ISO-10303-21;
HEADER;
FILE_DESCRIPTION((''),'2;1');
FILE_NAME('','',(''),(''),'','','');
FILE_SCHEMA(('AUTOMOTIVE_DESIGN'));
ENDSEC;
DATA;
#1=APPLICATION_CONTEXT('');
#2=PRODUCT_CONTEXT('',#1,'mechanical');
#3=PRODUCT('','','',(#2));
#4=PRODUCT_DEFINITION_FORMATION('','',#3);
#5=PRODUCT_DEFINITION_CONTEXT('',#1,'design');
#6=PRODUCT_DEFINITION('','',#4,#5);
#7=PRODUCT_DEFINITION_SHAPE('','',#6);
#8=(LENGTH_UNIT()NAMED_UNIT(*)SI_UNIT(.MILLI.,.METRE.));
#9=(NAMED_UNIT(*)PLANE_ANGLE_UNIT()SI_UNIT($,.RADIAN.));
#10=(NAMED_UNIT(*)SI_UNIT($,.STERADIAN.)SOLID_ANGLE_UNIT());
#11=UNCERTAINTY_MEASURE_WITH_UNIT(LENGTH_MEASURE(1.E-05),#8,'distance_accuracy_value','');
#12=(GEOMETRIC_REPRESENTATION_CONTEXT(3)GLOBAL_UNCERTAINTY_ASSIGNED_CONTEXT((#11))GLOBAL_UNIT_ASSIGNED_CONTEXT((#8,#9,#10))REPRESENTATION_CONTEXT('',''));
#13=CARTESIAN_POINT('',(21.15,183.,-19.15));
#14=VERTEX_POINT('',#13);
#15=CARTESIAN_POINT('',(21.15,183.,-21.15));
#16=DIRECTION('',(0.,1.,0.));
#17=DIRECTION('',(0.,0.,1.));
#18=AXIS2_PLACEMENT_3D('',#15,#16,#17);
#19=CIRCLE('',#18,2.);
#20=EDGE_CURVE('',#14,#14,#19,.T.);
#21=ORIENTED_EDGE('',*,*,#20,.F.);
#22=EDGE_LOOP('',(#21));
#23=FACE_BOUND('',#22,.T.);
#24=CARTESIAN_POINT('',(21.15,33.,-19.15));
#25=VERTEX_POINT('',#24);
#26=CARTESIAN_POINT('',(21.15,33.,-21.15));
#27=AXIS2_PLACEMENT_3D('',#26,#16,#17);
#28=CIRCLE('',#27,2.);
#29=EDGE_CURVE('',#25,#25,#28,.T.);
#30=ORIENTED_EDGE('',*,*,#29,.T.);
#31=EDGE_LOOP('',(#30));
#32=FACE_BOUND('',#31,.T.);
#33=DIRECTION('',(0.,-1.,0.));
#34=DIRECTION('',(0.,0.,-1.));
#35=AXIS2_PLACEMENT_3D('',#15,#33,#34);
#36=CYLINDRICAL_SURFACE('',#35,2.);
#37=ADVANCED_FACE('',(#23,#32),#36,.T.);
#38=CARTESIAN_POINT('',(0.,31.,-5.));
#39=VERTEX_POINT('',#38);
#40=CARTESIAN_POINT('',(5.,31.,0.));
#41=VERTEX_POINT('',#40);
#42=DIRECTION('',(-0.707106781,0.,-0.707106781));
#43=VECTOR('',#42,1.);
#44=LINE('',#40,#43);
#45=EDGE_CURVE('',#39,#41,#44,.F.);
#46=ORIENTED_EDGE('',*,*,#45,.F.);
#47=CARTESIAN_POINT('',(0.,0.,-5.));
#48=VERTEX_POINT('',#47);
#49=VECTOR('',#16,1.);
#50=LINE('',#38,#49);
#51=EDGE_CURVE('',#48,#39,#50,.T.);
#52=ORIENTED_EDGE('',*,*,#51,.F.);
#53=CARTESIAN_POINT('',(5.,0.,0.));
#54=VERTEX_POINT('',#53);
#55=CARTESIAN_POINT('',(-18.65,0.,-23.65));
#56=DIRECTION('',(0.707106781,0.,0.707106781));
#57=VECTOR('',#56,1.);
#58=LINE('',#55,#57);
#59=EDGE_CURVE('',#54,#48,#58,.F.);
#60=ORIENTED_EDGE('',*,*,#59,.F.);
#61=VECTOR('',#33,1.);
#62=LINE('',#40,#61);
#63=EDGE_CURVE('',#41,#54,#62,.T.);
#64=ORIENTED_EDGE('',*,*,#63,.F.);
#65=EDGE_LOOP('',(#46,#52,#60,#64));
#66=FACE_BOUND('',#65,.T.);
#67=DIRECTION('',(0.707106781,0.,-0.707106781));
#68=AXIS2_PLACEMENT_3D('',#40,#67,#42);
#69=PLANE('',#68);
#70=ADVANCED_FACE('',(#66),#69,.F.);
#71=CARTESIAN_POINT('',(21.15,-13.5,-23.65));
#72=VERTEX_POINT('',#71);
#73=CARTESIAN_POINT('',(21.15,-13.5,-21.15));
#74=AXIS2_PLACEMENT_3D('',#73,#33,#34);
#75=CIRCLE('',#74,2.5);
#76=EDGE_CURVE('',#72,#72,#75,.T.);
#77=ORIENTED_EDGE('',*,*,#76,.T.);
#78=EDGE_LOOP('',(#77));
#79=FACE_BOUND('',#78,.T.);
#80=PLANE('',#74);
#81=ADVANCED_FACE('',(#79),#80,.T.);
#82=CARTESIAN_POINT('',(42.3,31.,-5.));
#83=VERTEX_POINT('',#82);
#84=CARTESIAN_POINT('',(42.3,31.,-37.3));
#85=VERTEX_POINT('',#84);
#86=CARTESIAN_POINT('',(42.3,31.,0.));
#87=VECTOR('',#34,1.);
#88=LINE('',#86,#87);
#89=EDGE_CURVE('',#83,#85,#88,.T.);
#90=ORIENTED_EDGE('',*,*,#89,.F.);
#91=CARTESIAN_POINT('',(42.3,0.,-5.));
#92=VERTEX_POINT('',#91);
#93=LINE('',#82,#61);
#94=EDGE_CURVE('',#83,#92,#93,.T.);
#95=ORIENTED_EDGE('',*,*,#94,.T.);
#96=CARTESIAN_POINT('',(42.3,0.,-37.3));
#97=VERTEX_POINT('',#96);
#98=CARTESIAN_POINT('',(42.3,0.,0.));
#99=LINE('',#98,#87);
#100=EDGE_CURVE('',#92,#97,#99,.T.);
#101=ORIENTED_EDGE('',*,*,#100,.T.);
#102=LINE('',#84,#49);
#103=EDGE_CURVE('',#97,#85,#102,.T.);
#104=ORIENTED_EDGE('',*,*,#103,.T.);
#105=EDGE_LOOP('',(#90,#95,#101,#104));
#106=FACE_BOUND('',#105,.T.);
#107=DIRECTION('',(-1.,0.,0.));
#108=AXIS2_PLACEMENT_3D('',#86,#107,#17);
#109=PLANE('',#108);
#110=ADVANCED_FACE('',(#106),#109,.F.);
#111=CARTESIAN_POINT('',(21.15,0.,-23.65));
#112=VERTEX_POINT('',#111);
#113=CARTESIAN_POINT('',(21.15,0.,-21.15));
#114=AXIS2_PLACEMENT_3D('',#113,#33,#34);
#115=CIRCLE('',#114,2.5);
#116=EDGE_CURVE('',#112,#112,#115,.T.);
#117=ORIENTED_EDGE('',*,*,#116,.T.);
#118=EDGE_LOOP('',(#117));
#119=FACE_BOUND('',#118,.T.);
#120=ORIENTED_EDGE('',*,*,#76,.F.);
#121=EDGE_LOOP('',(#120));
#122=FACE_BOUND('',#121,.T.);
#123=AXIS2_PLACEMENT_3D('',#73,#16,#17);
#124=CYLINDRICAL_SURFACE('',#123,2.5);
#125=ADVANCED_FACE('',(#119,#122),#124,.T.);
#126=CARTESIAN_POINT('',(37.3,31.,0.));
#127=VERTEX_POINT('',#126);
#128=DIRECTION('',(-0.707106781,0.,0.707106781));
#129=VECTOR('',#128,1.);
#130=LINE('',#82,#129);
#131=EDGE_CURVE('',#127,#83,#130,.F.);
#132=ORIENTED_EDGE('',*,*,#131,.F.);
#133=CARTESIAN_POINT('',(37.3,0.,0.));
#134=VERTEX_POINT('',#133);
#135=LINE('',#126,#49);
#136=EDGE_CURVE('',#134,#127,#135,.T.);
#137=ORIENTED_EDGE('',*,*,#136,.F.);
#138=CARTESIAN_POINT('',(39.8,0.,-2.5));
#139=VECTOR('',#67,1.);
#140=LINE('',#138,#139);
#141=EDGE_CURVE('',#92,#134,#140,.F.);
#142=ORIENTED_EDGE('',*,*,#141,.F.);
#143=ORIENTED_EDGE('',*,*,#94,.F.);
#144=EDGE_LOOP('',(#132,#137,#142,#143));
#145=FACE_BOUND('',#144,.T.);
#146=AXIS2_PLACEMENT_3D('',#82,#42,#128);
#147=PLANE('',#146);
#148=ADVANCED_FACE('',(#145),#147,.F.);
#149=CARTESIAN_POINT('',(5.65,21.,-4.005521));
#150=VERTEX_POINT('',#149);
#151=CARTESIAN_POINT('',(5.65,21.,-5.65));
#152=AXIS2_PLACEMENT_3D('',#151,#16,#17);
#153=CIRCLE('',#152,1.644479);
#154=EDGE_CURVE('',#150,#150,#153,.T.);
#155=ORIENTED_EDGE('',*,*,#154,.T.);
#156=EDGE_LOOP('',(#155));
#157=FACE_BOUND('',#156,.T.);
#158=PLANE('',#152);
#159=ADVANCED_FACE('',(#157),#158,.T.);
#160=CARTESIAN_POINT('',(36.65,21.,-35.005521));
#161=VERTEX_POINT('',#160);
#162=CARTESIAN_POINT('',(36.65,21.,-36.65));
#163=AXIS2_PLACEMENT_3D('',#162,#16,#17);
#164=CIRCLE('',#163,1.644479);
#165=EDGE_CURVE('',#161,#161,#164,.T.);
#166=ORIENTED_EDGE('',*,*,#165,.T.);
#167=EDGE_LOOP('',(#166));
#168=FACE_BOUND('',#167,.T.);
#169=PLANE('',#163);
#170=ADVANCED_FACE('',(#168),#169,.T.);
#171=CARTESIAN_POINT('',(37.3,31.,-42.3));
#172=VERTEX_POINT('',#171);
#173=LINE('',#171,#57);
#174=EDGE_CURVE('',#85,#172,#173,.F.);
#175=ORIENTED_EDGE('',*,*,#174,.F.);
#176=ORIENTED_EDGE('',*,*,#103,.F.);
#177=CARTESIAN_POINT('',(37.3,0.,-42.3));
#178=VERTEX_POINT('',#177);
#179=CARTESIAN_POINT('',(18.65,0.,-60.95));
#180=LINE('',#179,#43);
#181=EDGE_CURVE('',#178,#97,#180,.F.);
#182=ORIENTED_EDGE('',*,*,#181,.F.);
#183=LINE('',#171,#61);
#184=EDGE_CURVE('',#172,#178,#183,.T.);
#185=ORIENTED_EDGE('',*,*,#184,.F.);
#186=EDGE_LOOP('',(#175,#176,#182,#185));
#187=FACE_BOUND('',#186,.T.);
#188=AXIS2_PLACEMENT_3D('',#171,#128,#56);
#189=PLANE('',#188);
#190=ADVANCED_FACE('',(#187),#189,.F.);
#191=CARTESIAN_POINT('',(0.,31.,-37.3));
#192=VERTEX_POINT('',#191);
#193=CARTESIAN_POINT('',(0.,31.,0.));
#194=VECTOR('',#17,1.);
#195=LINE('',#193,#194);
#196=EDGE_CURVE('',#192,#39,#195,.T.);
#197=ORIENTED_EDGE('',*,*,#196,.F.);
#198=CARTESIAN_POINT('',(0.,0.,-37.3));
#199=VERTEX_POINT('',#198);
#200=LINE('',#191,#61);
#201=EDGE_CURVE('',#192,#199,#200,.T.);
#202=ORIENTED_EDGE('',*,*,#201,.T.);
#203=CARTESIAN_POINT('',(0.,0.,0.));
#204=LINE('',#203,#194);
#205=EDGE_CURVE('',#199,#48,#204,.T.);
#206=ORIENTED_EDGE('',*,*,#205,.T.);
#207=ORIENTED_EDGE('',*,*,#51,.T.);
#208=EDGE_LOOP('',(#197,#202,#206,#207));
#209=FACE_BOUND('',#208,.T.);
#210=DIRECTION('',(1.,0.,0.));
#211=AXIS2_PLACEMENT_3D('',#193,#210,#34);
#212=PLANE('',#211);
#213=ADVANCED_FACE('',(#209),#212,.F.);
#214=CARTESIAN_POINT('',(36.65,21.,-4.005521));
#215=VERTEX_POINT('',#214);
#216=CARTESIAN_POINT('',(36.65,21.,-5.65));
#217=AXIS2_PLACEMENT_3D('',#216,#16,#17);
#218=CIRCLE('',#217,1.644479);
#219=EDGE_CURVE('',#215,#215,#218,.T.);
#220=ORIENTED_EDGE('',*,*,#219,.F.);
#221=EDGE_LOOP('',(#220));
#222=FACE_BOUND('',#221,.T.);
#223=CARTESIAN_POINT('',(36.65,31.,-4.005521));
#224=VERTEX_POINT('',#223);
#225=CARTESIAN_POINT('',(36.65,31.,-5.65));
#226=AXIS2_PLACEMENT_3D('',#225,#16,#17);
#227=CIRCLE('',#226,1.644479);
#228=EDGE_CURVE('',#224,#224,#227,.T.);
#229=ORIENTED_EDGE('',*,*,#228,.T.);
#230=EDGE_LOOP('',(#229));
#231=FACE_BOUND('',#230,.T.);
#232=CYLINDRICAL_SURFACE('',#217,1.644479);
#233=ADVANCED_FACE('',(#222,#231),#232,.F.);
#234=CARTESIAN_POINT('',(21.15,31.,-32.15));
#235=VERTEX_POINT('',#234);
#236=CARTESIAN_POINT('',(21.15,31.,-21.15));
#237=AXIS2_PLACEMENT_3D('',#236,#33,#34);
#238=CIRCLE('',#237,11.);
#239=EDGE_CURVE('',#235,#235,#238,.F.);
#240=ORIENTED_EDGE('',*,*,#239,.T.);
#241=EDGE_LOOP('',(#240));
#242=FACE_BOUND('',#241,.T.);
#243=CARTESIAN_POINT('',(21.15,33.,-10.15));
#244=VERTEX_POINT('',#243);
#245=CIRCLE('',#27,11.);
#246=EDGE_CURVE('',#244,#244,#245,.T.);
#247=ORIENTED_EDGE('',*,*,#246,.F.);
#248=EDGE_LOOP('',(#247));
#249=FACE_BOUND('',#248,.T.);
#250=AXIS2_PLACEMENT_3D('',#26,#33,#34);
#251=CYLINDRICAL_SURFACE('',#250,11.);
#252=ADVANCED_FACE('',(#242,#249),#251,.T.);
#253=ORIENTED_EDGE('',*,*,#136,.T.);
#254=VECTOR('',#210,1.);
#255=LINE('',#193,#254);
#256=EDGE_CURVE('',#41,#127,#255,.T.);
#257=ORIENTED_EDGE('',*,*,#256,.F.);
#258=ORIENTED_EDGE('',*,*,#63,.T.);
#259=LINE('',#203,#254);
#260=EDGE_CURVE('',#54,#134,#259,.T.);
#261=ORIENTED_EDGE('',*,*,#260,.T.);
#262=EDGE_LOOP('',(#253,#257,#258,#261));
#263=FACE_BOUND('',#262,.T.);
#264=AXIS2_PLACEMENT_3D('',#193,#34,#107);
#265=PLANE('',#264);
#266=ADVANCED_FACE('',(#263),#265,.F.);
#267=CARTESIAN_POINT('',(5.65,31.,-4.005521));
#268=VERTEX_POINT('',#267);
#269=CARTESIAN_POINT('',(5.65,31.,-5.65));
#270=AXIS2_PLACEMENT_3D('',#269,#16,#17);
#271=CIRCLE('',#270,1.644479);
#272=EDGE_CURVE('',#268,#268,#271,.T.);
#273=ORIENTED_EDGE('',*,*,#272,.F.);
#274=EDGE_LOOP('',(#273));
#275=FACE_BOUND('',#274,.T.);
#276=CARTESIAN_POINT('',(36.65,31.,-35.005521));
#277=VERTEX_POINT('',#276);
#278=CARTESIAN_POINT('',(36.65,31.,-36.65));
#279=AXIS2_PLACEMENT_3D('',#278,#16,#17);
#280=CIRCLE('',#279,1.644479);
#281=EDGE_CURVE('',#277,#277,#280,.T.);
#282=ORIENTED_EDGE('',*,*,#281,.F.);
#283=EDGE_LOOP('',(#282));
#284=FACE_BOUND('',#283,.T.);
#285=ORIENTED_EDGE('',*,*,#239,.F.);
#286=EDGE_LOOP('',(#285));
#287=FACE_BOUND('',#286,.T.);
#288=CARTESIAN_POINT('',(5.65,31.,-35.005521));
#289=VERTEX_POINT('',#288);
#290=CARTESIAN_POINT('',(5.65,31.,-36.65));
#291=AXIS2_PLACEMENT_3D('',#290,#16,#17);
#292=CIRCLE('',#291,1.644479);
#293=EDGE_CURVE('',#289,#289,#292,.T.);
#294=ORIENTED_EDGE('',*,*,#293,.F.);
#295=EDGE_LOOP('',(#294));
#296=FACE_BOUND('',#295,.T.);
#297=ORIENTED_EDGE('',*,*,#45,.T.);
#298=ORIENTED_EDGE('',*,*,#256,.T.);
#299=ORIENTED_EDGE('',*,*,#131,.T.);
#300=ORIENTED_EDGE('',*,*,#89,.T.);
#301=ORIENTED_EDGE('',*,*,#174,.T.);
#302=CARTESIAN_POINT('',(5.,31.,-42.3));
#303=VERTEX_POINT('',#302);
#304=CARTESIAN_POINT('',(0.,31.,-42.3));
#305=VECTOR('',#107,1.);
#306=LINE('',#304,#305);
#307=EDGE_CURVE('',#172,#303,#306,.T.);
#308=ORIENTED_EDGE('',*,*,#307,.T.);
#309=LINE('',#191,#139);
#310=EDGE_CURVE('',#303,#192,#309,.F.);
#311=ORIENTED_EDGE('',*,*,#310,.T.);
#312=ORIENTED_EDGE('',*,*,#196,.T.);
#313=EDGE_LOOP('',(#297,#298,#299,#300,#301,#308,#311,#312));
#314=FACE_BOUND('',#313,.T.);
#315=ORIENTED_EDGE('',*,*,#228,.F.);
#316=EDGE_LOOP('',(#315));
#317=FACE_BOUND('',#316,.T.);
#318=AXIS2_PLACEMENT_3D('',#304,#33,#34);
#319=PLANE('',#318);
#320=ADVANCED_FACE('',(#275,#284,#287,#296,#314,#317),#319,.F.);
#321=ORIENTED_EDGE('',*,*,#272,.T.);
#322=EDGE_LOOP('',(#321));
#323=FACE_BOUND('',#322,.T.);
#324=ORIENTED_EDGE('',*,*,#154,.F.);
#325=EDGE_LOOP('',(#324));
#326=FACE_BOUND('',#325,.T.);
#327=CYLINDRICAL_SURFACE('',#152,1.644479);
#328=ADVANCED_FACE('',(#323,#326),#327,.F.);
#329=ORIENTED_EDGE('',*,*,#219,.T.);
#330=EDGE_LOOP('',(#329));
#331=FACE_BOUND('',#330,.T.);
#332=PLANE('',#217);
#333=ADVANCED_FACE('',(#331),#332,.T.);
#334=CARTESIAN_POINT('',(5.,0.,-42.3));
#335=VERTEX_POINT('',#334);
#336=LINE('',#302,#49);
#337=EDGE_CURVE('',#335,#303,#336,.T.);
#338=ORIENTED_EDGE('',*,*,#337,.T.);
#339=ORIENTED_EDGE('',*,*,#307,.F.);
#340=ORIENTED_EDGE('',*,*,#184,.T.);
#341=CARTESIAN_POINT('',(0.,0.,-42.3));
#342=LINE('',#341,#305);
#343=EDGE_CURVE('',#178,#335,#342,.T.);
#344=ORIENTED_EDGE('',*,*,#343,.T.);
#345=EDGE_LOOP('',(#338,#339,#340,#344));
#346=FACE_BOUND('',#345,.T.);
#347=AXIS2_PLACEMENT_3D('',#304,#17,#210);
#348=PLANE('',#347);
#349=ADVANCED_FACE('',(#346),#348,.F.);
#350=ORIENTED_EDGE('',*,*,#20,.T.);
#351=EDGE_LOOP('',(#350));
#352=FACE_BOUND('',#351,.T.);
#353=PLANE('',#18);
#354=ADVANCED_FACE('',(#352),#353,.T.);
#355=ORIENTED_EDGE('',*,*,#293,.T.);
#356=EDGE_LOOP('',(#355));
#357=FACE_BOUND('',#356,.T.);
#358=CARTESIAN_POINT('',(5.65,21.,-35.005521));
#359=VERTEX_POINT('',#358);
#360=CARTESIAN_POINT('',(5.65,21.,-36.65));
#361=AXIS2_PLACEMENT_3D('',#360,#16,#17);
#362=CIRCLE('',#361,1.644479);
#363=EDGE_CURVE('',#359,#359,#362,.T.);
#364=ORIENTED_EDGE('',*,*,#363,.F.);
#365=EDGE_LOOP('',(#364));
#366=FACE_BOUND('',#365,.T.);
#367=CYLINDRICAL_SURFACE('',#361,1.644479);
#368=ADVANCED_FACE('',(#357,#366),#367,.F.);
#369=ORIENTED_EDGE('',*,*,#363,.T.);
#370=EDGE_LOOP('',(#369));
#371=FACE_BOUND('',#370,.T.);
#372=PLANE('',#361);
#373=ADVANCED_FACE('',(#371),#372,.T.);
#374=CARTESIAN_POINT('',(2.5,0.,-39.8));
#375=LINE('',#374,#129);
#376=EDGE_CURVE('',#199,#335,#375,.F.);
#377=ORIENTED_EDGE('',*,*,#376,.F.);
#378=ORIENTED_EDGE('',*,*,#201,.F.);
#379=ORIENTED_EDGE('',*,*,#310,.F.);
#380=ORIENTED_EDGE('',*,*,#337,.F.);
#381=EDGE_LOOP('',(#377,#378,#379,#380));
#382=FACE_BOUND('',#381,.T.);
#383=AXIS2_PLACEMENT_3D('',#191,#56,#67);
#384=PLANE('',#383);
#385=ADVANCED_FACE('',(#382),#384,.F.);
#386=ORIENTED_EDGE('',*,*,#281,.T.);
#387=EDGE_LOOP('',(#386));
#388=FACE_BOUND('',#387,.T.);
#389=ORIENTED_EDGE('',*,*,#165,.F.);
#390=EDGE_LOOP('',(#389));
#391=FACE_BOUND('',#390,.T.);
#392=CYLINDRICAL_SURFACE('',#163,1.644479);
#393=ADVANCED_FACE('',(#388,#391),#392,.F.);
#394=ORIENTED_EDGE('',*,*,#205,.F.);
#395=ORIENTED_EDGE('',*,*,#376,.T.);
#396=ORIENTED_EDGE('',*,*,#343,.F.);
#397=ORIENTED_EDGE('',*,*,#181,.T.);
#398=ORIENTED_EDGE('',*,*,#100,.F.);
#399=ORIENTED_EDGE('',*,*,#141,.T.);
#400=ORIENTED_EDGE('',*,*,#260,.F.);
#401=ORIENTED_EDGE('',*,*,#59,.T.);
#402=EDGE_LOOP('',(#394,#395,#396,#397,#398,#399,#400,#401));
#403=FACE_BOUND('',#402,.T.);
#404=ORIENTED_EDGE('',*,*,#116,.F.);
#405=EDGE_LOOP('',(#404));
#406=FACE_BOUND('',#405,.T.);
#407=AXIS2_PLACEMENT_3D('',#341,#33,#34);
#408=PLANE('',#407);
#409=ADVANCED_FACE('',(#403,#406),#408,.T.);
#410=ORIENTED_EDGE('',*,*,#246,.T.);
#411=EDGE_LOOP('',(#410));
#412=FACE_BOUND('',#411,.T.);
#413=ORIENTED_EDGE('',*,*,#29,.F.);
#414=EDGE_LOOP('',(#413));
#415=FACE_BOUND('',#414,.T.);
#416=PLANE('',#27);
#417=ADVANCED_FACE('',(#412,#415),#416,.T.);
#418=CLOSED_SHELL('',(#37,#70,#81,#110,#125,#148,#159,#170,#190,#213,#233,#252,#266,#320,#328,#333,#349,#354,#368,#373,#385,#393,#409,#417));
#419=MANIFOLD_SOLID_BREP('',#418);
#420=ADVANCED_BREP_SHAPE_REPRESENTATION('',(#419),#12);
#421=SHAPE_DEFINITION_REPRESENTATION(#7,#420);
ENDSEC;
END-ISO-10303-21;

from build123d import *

# Parameters (mm, degrees)
SKETCH1_W           = 42.3
SKETCH1_H           = 42.3
BOSS_EXTRUDE1_DEPTH = 31
SKETCH2_R           = 1.644479294
CUT_EXTRUDE1_DEPTH  = 10
SKETCH3_R           = 11
BOSS_EXTRUDE2_DEPTH = 2
CHAMFER2_SIZE       = 5
SKETCH4_R           = 2
BOSS_EXTRUDE3_DEPTH = 150
SKETCH5_R           = 2.5
BOSS_EXTRUDE4_DEPTH = 13.5


with BuildPart() as part:
    # Sketch1 → Boss-Extrude1 (new body)
    with BuildSketch(Plane(origin=(0, 0, 0), x_dir=(1, 0, 0), z_dir=(0, 1, 0))):
        with Locations((21.15, 21.15)):
            Rectangle(SKETCH1_W, SKETCH1_H)
    extrude(amount=BOSS_EXTRUDE1_DEPTH)

    # Sketch2 → Cut-Extrude1 (cut)
    with BuildSketch(Plane(origin=(0, 31, 0), x_dir=(-1, 0, 0), z_dir=(0, 1, 0))):
        with Locations((-5.65, -36.65)):
            Circle(SKETCH2_R)
        with Locations((-36.65, -36.65)):
            Circle(SKETCH2_R)
        with Locations((-5.65, -5.65)):
            Circle(SKETCH2_R)
        with Locations((-36.65, -5.65)):
            Circle(SKETCH2_R)
    extrude(amount=-CUT_EXTRUDE1_DEPTH, mode=Mode.SUBTRACT)

    # Sketch3 → Boss-Extrude2 (add)
    with BuildSketch(Plane(origin=(0, 31, 0), x_dir=(-1, 0, 0), z_dir=(0, 1, 0))):
        with Locations((-21.15, -21.15)):
            Circle(SKETCH3_R)
    extrude(amount=BOSS_EXTRUDE2_DEPTH)

    # Chamfer2
    chamfer2_edges = [part.edges().sort_by_distance(p)[0] for p in [
        (0, 15.5, -42.3),
        (42.3, 15.5, -42.3),
        (42.3, 15.5, 0),
        (0, 15.5, 0),
    ]]
    chamfer(chamfer2_edges, length=CHAMFER2_SIZE)

    # Sketch4 → Boss-Extrude3 (add)
    with BuildSketch(Plane(origin=(0, 33, 0), x_dir=(-1, 0, 0), z_dir=(0, 1, 0))):
        with Locations((-21.15, -21.15)):
            Circle(SKETCH4_R)
    extrude(amount=BOSS_EXTRUDE3_DEPTH)

    # Sketch5 → Boss-Extrude4 (add)
    with BuildSketch(Plane.XZ):
        with Locations((21.15, -21.15)):
            Circle(SKETCH5_R)
    extrude(amount=BOSS_EXTRUDE4_DEPTH)


solid = part.part
